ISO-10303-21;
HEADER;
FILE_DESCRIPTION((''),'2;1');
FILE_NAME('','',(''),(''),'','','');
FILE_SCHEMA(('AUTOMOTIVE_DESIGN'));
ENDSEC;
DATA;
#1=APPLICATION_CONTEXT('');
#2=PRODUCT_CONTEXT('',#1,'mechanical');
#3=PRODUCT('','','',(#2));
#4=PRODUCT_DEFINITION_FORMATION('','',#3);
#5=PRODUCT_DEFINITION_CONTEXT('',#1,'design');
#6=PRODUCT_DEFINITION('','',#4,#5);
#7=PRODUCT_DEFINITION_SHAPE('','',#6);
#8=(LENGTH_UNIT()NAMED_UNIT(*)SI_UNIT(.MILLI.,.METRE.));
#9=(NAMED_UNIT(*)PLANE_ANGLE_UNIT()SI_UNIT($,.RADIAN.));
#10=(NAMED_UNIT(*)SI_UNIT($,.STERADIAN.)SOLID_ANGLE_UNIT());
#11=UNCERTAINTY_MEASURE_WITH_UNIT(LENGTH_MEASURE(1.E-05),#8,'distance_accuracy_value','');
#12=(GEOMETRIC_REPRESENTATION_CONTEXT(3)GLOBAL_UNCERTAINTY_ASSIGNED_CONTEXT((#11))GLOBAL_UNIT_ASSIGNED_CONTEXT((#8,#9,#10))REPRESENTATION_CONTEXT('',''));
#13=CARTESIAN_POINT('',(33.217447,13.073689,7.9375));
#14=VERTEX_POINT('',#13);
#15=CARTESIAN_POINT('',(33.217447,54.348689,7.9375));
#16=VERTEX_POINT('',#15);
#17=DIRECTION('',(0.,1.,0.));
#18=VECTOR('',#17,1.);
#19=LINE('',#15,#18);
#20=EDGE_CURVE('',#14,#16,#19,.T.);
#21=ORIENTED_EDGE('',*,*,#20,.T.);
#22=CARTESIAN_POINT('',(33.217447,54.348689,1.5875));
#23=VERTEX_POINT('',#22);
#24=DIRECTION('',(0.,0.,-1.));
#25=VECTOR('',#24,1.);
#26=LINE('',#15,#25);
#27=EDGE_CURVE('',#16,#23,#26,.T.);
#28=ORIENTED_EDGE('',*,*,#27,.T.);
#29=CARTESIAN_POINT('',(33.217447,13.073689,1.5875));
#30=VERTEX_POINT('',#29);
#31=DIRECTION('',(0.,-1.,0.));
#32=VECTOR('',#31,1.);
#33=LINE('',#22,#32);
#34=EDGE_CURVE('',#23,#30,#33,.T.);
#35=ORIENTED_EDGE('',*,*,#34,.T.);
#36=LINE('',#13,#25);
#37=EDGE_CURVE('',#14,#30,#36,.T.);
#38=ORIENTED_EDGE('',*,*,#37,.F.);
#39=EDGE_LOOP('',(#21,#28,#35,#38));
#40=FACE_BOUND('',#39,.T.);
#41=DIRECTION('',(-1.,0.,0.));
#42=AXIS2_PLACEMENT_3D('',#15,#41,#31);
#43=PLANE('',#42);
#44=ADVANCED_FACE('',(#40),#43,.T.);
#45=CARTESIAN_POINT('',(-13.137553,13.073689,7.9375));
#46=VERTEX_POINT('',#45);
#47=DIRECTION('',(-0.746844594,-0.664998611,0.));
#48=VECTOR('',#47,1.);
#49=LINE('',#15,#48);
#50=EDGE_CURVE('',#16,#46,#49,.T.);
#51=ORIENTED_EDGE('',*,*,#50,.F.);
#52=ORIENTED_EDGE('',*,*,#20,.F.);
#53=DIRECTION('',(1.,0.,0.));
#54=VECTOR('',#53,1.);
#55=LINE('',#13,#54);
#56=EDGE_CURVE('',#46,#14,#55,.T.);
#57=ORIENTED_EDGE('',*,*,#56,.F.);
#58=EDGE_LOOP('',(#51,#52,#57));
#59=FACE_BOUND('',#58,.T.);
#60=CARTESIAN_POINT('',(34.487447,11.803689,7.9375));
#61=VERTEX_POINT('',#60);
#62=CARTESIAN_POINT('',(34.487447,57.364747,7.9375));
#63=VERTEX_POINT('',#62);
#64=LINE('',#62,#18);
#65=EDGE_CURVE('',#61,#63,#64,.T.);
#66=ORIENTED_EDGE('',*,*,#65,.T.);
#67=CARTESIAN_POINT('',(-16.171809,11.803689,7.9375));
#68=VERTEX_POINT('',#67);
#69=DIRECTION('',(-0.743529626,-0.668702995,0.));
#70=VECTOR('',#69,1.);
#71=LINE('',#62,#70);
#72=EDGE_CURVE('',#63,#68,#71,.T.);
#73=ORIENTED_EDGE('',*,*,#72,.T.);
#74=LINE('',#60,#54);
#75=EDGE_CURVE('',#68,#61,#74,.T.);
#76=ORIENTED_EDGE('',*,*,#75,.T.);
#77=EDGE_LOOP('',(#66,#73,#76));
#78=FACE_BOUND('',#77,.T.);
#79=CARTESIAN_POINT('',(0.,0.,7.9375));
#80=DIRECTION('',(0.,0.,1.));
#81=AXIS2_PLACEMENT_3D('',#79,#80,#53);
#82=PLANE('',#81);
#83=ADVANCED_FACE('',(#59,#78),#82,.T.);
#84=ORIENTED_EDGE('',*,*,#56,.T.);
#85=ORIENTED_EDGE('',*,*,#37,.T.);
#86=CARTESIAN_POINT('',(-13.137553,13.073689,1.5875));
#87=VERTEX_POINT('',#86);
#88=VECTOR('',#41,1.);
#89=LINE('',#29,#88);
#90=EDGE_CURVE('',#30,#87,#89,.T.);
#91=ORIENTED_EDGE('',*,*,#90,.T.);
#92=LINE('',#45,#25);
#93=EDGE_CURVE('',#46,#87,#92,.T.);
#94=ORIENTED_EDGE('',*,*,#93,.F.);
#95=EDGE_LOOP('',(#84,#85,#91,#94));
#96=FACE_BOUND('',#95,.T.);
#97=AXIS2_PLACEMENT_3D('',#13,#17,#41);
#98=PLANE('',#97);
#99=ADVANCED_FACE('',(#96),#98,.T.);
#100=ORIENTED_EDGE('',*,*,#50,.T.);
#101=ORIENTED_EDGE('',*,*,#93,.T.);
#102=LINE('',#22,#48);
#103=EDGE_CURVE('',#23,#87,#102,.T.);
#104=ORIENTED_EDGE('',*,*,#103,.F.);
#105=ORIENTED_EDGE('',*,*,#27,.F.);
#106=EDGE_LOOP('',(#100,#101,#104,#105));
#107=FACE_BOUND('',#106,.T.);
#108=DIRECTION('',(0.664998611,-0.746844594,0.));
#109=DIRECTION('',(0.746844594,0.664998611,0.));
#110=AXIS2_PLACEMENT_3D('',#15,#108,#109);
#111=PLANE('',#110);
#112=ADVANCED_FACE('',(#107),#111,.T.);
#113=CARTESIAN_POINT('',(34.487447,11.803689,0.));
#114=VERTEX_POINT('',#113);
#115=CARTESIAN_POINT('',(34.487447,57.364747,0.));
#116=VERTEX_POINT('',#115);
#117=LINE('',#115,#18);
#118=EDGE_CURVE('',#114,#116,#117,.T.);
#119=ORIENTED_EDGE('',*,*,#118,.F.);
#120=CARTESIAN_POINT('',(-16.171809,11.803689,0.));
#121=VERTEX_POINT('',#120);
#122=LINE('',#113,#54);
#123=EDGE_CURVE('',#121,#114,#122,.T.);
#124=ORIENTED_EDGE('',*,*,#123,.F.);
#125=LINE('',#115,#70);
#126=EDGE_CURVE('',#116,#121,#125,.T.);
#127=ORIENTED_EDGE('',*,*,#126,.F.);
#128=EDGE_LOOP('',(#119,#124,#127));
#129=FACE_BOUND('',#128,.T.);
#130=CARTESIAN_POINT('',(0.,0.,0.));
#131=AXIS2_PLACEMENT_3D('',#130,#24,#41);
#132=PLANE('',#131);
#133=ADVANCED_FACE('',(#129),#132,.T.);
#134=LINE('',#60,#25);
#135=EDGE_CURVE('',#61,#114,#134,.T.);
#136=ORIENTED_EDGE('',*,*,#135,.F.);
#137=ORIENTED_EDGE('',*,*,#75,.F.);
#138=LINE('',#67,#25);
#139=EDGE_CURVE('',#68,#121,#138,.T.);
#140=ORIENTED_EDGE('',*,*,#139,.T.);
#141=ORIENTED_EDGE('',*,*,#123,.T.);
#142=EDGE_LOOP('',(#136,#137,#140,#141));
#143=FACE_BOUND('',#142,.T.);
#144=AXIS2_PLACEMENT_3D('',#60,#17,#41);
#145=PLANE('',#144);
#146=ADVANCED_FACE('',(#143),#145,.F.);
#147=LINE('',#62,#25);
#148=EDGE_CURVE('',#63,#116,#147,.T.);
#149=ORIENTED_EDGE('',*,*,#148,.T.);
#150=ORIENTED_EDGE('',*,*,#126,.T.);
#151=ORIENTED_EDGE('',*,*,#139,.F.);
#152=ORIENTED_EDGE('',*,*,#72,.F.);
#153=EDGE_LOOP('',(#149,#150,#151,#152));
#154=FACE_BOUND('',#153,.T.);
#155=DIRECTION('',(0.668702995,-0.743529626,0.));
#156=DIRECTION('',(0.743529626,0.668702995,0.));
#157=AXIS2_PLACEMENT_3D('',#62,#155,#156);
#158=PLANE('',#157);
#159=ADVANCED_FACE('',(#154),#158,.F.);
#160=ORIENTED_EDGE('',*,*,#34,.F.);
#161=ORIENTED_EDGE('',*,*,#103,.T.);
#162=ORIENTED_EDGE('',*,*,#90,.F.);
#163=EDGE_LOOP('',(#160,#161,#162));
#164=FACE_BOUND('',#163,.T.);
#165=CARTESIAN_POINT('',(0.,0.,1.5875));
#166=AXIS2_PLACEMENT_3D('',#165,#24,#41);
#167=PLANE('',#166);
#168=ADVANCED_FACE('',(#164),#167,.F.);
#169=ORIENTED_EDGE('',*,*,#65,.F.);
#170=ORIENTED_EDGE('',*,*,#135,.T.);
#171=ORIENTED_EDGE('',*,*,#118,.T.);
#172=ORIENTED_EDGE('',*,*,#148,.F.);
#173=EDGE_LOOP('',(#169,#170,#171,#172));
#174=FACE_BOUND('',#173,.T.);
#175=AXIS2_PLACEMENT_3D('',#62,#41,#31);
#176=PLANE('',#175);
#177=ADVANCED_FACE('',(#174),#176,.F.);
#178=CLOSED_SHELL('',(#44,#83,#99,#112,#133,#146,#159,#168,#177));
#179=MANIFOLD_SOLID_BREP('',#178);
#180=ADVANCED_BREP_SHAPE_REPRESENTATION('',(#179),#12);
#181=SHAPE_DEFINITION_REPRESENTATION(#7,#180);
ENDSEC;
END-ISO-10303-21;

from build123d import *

# Parameters (mm, degrees)
BOSS_EXTRUDE2_DEPTH = 1.5875
BOSS_EXTRUDE3_DEPTH = 7.9375


with BuildPart() as part:
    # Sketch1 → Boss-Extrude2 (new body)
    with BuildSketch(Plane.XY):
        Polygon((33.217447351, 54.34868871), (33.217447351, 13.07368871), (-13.137552649, 13.07368871), align=None)
    extrude(amount=BOSS_EXTRUDE2_DEPTH)

    # Sketch1<5> → Boss-Extrude3 (add)
    with BuildSketch(Plane.XY):
        Polygon((34.487447351, 57.364746686), (34.487447351, 11.80368871), (-16.171808963, 11.80368871), align=None)
        Polygon((33.217447351, 54.34868871), (33.217447351, 13.07368871), (-13.137552649, 13.07368871), align=None, mode=Mode.SUBTRACT)
    extrude(amount=BOSS_EXTRUDE3_DEPTH)


solid = part.part
